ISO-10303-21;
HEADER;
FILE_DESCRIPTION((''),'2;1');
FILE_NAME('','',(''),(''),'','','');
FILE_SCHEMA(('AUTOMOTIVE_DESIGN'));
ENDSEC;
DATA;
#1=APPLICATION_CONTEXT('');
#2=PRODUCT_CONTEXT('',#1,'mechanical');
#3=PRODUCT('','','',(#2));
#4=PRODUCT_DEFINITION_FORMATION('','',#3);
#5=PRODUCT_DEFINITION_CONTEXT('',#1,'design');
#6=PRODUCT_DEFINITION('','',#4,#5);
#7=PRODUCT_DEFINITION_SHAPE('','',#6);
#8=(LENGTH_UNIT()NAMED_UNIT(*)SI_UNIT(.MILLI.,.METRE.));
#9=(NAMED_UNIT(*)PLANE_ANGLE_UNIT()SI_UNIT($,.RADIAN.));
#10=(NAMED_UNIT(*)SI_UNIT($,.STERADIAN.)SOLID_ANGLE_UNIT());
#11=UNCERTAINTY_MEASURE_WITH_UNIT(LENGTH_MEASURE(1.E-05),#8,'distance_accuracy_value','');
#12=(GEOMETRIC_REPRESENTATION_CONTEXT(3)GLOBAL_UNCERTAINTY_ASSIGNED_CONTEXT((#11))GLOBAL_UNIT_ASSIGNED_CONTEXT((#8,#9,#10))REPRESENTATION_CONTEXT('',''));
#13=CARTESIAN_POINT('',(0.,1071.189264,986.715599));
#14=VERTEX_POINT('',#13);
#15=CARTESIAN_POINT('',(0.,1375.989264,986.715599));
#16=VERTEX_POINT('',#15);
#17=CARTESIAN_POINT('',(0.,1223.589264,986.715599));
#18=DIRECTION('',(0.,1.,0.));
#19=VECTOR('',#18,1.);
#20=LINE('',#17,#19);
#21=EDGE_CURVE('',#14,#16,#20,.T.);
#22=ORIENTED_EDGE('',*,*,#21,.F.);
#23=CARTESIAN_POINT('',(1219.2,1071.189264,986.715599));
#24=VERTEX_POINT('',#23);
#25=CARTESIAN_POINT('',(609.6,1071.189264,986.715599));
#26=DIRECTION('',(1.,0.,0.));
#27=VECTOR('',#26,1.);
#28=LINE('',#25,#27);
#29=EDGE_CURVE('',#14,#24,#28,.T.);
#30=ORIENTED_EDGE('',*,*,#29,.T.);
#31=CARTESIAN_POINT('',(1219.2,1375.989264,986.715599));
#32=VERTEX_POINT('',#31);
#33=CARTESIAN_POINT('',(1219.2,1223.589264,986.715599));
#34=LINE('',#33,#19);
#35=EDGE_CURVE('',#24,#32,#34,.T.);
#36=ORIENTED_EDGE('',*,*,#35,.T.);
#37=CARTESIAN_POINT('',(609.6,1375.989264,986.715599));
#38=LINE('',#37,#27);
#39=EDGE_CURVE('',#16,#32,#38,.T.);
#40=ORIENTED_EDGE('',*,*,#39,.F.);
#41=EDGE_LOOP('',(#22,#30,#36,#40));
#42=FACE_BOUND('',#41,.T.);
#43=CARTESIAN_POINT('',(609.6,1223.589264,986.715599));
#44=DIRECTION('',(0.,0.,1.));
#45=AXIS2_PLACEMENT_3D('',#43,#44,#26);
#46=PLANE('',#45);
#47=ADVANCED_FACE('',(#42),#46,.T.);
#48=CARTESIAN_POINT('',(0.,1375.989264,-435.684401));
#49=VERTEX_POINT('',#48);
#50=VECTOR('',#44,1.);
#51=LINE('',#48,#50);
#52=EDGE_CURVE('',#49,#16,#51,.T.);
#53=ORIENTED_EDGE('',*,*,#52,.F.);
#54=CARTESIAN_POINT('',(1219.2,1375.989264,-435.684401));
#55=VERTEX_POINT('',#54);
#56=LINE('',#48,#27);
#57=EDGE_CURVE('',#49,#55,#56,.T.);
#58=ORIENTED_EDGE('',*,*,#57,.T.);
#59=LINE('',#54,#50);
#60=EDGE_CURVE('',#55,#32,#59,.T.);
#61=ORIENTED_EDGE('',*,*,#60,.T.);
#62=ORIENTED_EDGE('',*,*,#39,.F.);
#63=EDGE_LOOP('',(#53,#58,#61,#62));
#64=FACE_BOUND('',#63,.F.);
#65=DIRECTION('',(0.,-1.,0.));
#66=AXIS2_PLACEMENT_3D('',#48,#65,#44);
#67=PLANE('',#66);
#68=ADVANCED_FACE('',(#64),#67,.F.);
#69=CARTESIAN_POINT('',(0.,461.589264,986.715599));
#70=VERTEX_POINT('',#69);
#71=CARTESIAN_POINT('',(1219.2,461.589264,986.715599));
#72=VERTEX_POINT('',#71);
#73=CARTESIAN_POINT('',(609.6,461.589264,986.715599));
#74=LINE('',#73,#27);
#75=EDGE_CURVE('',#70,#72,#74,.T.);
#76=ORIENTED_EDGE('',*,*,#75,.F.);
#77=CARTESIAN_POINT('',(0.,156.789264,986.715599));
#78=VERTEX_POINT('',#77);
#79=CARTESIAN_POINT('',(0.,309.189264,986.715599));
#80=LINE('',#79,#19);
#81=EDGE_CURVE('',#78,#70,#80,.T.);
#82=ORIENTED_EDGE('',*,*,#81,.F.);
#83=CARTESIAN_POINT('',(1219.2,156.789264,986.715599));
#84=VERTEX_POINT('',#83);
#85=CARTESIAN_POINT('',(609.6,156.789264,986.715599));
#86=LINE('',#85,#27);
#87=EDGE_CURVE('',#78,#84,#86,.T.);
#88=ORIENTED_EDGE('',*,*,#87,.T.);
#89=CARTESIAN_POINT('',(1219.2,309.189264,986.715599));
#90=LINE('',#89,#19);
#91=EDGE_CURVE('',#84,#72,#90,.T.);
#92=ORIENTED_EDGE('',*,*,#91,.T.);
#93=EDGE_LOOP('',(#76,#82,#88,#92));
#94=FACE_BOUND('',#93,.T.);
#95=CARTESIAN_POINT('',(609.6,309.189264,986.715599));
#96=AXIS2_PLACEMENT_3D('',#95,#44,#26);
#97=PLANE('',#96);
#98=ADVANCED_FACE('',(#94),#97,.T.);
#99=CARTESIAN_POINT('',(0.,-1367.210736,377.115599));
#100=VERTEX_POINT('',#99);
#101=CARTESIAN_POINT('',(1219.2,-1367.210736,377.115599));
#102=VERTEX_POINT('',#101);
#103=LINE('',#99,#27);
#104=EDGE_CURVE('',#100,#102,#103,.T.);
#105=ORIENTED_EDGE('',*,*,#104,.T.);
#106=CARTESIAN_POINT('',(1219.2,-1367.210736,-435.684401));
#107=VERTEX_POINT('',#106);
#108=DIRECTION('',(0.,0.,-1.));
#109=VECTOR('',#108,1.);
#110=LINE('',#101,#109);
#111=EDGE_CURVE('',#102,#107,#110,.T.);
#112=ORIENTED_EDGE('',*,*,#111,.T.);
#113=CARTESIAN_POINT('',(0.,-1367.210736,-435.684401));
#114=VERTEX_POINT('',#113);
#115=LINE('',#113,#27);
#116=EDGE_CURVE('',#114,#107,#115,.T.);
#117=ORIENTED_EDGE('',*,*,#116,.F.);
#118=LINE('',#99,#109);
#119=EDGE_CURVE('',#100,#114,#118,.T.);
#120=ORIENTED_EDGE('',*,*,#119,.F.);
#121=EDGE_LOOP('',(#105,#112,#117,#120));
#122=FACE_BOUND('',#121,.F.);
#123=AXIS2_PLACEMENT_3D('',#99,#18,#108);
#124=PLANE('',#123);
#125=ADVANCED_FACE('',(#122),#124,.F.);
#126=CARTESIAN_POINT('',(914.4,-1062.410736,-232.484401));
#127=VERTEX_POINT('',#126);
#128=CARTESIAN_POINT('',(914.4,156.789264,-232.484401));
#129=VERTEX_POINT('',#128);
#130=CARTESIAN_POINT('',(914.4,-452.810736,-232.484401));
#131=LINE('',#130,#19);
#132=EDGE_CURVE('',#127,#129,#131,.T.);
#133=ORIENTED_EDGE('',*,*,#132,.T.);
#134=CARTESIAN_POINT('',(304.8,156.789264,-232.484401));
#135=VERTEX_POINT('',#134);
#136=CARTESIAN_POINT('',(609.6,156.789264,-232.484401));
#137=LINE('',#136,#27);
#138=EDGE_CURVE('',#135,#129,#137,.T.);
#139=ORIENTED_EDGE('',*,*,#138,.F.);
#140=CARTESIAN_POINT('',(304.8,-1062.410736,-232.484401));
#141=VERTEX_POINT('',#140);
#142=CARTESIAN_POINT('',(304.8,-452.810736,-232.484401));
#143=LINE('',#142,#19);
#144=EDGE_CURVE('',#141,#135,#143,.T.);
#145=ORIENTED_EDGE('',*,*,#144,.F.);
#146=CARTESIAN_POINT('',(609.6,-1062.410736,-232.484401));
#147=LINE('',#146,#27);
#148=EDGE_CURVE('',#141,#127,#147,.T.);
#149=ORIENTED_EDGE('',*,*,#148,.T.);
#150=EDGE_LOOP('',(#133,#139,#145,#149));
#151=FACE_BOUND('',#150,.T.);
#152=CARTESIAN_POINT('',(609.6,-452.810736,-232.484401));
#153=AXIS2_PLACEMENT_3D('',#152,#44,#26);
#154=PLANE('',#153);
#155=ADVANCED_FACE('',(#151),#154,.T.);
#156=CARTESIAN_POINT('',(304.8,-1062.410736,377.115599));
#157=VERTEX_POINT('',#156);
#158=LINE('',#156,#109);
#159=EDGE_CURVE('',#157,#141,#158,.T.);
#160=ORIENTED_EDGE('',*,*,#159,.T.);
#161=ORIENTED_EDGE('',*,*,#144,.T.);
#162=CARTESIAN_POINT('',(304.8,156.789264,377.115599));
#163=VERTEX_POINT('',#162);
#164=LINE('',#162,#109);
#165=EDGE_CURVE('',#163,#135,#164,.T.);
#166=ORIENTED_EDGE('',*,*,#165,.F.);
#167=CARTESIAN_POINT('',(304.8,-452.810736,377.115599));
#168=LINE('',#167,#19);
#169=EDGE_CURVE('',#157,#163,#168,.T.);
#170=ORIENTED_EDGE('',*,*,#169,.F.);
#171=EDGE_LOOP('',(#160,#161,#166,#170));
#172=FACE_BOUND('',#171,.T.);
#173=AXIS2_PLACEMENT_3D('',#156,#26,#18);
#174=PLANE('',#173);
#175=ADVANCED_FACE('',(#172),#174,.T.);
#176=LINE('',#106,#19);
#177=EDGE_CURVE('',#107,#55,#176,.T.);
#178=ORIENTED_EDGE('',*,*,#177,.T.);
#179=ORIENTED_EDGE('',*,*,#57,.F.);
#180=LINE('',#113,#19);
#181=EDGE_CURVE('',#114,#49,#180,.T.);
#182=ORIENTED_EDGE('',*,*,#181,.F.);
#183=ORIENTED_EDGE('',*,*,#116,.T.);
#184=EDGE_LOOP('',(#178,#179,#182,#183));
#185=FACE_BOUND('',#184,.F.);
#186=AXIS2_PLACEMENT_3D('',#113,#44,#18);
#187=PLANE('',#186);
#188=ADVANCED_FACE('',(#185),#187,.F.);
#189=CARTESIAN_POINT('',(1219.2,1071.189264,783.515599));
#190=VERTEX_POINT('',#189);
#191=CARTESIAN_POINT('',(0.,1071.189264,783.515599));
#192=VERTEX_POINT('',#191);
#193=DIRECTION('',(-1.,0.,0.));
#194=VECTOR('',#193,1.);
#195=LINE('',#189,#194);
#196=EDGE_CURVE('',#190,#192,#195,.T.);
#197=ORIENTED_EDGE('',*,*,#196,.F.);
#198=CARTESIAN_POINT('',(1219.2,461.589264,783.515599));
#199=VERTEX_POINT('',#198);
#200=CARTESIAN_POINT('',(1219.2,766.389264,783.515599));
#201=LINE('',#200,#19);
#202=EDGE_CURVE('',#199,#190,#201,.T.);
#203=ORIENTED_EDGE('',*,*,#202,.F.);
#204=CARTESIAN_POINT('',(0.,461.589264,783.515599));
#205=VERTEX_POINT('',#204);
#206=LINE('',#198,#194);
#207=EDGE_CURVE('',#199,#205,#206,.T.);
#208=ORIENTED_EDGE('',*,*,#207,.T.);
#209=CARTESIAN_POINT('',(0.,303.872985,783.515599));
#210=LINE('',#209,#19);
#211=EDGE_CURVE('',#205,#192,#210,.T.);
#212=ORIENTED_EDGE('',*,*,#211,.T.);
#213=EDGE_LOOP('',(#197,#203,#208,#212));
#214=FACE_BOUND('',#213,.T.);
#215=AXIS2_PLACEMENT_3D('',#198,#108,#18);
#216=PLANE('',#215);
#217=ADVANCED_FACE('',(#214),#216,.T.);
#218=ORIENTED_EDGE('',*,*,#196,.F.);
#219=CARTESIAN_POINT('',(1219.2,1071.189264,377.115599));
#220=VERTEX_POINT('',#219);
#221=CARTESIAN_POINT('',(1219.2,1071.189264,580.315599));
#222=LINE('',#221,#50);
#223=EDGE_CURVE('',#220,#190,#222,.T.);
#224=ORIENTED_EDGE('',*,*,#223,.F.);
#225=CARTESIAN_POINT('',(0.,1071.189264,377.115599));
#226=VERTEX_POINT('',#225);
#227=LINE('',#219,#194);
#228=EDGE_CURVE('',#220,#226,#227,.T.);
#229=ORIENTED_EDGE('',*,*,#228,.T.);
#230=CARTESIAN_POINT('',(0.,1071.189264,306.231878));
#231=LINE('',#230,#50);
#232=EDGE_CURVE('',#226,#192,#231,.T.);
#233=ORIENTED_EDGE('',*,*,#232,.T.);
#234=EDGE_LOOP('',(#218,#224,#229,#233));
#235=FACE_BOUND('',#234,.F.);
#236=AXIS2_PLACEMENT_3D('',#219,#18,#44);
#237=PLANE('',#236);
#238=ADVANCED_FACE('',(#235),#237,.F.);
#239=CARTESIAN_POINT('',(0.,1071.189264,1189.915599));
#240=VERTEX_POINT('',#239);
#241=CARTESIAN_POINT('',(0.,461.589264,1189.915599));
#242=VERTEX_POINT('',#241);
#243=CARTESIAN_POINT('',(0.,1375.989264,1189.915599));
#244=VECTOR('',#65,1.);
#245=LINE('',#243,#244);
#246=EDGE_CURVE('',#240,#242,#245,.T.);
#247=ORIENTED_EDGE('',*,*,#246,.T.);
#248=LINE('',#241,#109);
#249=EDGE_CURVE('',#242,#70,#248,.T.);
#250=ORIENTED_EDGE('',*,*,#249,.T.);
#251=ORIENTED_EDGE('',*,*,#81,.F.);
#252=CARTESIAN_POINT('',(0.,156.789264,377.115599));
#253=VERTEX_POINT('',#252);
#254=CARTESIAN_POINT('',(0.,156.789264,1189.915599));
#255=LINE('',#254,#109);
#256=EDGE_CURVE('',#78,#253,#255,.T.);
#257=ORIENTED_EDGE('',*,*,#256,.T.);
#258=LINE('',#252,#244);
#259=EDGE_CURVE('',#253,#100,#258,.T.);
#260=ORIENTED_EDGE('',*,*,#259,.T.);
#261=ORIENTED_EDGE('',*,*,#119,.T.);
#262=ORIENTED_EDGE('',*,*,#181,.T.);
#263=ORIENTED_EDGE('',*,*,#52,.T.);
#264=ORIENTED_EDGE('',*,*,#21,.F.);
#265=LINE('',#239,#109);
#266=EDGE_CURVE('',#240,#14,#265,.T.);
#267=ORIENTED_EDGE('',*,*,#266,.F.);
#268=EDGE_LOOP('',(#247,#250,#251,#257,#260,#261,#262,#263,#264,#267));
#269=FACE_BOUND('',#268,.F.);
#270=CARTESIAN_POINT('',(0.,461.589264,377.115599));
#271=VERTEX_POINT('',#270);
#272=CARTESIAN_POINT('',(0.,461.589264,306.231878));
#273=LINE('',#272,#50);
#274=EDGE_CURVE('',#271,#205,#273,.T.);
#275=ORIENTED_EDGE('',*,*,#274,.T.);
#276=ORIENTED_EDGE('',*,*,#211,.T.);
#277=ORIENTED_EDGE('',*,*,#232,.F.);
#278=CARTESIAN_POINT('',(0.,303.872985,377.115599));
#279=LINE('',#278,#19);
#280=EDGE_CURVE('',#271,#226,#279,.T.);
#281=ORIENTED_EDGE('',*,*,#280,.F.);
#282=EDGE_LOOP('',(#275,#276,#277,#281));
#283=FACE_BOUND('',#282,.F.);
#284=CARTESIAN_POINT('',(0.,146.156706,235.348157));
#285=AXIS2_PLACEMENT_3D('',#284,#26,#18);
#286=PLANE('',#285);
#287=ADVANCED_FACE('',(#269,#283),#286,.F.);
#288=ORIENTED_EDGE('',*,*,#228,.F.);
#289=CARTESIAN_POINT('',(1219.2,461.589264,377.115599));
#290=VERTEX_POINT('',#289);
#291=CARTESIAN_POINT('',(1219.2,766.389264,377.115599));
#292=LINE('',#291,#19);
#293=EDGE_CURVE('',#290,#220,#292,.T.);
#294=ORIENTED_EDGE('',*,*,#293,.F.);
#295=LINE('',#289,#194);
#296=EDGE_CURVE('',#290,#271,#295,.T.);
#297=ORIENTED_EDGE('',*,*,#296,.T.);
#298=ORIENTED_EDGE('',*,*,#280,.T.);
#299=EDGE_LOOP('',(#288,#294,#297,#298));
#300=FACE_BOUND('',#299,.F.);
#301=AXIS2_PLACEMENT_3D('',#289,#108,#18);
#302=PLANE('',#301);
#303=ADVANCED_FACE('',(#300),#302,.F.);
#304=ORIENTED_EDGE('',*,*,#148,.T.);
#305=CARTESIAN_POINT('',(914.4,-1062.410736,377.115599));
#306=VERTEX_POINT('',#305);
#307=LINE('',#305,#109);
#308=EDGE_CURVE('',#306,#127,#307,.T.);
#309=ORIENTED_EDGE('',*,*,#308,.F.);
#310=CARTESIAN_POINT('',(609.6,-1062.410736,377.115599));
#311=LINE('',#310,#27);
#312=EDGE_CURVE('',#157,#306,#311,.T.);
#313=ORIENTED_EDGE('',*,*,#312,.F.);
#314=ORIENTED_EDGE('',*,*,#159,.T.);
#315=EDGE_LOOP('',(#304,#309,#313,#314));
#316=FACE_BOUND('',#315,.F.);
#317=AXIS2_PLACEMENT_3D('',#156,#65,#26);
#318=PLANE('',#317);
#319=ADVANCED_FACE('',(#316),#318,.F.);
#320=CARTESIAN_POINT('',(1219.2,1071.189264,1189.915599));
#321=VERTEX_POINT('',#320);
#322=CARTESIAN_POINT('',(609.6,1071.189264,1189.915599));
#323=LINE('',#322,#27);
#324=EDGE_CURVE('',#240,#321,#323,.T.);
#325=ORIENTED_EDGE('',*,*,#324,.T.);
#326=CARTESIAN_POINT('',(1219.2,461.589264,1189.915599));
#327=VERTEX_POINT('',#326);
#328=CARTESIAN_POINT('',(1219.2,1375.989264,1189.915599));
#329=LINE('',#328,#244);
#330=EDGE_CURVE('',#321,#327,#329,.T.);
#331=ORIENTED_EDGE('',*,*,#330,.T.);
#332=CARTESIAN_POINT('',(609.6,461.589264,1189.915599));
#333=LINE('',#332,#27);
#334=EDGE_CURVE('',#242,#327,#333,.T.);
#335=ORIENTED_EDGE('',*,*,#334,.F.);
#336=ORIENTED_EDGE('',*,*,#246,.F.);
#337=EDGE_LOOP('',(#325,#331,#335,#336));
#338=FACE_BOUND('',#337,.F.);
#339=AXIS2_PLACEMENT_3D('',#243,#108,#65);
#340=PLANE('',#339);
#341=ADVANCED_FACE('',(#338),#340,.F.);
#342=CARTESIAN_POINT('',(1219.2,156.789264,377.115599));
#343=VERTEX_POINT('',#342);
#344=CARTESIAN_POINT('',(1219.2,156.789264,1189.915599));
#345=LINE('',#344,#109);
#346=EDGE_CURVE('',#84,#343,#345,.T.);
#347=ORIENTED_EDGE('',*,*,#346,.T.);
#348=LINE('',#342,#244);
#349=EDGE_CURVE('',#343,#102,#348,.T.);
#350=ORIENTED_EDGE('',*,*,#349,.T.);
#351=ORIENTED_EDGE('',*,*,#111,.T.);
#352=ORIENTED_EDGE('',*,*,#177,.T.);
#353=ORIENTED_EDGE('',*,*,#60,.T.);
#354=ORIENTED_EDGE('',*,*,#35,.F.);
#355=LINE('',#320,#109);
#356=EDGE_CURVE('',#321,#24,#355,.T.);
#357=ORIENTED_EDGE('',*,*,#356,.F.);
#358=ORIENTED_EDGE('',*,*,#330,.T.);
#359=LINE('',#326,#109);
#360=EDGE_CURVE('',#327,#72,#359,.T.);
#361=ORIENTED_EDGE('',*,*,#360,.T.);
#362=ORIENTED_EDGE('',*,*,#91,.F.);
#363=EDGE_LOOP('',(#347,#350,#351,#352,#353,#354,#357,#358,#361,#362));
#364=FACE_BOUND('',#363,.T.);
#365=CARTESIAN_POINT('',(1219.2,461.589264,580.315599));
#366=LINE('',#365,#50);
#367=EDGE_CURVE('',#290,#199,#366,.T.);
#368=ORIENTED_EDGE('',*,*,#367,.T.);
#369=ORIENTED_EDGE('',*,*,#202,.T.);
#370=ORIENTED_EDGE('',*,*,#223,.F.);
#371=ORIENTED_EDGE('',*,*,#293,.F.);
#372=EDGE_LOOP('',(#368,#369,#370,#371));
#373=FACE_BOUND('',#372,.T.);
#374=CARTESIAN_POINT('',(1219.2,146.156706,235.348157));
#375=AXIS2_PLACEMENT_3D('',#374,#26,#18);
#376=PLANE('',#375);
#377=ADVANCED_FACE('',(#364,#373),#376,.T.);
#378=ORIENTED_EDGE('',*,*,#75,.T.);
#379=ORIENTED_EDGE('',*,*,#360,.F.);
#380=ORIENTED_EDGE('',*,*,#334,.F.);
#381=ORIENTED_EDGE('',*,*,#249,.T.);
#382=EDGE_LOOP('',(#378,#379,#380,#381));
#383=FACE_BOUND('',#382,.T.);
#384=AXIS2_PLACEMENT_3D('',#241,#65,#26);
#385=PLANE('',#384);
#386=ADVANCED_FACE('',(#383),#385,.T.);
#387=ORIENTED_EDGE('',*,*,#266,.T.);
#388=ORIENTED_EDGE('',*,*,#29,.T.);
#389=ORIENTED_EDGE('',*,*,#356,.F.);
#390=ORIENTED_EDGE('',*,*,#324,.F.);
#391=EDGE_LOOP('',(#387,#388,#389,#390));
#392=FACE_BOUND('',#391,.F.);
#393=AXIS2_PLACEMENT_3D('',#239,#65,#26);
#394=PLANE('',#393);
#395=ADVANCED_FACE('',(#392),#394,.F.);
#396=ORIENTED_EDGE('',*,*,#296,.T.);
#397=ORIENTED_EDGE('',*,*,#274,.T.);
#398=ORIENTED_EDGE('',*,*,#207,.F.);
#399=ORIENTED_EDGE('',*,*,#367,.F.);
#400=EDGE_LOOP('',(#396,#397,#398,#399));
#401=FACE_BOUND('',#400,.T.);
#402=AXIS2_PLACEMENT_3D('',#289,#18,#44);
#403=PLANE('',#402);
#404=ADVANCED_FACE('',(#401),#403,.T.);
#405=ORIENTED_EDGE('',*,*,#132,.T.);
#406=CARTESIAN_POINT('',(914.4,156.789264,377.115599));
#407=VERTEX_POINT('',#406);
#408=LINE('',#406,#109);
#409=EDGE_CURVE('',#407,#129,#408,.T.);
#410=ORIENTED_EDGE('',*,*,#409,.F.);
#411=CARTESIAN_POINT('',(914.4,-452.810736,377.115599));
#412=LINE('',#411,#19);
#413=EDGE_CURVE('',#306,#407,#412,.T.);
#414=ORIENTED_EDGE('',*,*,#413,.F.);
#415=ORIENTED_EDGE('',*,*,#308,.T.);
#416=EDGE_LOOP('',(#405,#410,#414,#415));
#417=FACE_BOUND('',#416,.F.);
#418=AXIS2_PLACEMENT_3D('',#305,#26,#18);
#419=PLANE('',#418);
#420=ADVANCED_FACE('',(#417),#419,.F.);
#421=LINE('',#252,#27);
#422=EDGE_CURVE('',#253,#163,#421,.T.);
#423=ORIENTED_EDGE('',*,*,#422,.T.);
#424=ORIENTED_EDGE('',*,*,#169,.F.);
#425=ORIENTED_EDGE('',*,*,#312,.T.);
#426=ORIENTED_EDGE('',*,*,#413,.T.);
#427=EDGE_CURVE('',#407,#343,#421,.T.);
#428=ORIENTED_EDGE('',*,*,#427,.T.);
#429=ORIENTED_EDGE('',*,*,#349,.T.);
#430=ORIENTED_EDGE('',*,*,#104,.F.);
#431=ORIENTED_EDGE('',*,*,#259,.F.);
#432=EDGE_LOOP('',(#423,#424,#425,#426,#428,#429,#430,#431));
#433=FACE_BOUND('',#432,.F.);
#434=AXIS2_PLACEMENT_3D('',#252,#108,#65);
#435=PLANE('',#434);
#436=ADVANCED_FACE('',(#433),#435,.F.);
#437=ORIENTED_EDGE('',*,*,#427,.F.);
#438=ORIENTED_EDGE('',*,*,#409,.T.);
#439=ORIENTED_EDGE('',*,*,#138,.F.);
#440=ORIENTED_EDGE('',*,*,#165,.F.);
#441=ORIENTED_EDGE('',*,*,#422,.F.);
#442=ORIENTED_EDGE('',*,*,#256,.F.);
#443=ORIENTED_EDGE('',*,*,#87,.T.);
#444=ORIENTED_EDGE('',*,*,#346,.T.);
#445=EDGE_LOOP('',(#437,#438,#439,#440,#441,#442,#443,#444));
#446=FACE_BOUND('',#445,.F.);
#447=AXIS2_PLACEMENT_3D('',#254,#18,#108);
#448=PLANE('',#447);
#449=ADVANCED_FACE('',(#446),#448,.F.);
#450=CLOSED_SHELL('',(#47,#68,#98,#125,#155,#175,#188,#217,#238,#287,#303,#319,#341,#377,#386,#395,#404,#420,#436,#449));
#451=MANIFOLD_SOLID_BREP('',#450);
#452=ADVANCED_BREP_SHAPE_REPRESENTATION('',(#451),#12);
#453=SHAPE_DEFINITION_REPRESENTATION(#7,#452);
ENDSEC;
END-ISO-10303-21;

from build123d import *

# Parameters (mm, degrees)
F1_DEPTH = 1219.2
F2_W     = 1219.2
F2_H     = 304.8
F3_DEPTH = 203.2
F4_DEPTH = 203.2
F6_W     = 609.6
F6_H     = 1219.2
F7_DEPTH = 609.6
F5_W     = 609.6
F5_H     = 406.4
F8_DEPTH = 1219.201


with BuildPart() as f1:
    # F0 (on Right) → F1 (new body)
    with BuildSketch(Plane.YZ):
        Polygon((-1367.210736, 377.115599), (-1367.210736, -435.684401), (1375.989264, -435.684401), (1375.989264, 1189.915599), (156.789264, 1189.915599), (156.789264, 377.115599), align=None)
    extrude(amount=F1_DEPTH)

    # F2 (on face) → F3 (cut)
    with BuildSketch(Plane.XY.offset(1189.915599)):
        with Locations((609.6, 1223.589264)):
            Rectangle(F2_W, F2_H)
    extrude(amount=-F3_DEPTH, mode=Mode.SUBTRACT)

    # F2 (on face) → F4 (cut)
    with BuildSketch(Plane.XY.offset(1189.915599)):
        with Locations((609.6, 309.189264)):
            Rectangle(F2_W, F2_H)
    extrude(amount=-F4_DEPTH, mode=Mode.SUBTRACT)

    # F6 (on face) → F7 (cut)
    with BuildSketch(Plane.XY.offset(377.115599)):
        with Locations((609.6, -452.810736)):
            Rectangle(F6_W, F6_H)
    extrude(amount=-F7_DEPTH, mode=Mode.SUBTRACT)

    # F5 (on face) → F8 (cut, through all)
    with BuildSketch(Plane.YZ.offset(1219.2)):
        with Locations((766.389264, 580.315599)):
            Rectangle(F5_W, F5_H)
    extrude(amount=-F8_DEPTH, mode=Mode.SUBTRACT)


solid = f1.part
